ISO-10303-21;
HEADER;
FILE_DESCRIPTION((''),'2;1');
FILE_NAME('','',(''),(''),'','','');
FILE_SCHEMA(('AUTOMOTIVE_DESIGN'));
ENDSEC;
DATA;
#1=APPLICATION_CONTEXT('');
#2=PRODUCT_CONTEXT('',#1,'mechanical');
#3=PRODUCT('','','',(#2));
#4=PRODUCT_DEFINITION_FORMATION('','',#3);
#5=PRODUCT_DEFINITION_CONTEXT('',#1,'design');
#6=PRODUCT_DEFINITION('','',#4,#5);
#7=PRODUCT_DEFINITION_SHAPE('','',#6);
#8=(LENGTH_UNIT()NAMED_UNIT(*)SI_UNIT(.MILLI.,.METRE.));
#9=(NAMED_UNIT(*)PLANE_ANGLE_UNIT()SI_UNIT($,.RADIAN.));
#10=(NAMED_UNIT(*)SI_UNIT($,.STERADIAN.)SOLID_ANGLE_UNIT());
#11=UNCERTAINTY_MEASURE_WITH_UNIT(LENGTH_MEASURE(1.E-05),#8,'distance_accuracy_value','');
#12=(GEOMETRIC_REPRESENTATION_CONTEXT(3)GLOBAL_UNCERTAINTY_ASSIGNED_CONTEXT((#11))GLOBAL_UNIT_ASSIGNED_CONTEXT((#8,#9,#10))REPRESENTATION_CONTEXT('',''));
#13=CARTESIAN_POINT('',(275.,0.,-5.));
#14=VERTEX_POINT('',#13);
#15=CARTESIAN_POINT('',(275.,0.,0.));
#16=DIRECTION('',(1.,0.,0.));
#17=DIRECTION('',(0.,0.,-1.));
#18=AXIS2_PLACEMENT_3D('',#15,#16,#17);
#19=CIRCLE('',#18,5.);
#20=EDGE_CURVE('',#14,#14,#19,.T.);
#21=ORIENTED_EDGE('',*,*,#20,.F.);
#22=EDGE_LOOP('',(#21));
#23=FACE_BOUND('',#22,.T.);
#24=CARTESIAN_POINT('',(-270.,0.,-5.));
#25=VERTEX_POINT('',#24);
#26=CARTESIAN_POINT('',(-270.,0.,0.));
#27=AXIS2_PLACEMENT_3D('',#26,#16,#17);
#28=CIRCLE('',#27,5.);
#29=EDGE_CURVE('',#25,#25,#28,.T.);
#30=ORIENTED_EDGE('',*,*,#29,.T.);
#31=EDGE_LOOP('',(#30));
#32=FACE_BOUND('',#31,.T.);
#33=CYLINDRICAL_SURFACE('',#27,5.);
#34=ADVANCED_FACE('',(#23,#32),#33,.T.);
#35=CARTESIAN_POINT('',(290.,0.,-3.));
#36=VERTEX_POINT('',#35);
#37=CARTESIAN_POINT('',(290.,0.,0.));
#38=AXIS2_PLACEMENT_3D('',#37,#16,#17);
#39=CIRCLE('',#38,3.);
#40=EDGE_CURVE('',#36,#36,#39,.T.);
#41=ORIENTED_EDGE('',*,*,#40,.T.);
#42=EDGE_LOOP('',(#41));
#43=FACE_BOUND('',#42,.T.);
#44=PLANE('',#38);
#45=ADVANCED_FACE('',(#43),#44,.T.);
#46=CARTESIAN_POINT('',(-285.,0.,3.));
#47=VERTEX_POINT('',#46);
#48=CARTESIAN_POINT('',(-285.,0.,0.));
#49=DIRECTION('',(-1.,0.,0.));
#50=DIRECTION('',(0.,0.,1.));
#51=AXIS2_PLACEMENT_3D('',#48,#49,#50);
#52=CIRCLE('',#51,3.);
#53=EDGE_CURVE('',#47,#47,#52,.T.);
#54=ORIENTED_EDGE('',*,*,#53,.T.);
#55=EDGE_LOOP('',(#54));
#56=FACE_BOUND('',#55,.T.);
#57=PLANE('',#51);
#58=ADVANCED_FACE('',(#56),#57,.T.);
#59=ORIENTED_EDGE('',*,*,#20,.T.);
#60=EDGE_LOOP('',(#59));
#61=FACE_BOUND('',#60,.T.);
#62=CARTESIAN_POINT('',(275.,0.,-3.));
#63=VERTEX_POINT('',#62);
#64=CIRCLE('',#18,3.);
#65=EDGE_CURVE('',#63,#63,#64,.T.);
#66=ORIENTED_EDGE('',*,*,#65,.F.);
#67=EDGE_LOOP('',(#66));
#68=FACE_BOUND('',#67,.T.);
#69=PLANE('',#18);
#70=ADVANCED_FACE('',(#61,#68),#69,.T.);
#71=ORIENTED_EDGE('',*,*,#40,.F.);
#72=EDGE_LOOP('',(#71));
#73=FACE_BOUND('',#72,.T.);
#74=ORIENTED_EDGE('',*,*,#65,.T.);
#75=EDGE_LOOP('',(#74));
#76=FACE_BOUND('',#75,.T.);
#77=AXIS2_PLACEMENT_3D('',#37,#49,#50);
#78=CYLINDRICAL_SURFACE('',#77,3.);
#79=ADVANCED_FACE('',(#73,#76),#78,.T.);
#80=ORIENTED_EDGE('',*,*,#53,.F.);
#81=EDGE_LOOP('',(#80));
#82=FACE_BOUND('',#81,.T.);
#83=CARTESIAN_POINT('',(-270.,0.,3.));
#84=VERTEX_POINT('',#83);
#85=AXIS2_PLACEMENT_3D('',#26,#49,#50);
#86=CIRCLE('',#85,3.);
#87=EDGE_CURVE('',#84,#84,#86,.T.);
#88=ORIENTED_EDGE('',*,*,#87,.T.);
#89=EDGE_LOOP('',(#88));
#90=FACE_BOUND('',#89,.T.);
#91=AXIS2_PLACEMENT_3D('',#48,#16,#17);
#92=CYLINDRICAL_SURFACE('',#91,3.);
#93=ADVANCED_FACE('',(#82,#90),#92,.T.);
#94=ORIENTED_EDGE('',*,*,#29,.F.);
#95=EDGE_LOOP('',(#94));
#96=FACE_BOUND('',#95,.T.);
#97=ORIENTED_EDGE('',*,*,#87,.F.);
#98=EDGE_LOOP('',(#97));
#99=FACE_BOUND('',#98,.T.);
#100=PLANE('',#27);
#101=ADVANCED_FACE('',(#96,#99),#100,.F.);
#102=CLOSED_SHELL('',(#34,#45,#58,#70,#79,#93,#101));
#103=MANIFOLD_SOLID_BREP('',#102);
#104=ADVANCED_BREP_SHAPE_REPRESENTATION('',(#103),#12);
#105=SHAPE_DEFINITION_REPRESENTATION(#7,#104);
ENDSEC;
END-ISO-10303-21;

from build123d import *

# Parameters (mm, degrees)
EXTRUDE_1_DEPTH      = 275
EXTRUDE_1_DEPTH_BACK = 270
SKETCH_1_R           = 5
SKETCH_2_R           = 3
EXTRUDE_2_DEPTH      = 15
EXTRUDE_START        = 15
SKETCH_7_R           = 3
EXTRUDE_3_DEPTH      = 15


with BuildPart() as part:
    # Эскиз1 → Бобышка-Вытянуть1 (new, two sides: drawn at the far end of the back side and taken through both)
    with BuildSketch(Plane(origin=(0, 0, 0), x_dir=(0, 0, -1), z_dir=(1, 0, 0)).offset(-EXTRUDE_1_DEPTH_BACK)):
        Circle(SKETCH_1_R)
    extrude(amount=EXTRUDE_1_DEPTH + EXTRUDE_1_DEPTH_BACK)

    # Эскиз2 → Бобышка-Вытянуть2 (add)
    with BuildSketch(Plane.ZY.offset(270)):
        Circle(SKETCH_2_R)
    extrude(amount=EXTRUDE_2_DEPTH)

    # Эскиз7 → Бобышка-Вытянуть3 (add)
    with BuildSketch(Plane(origin=(275, 0, 0), x_dir=(0, 0, -1), z_dir=(1, 0, 0)).offset(EXTRUDE_START)):
        with Locations(Location((0, 0, 0), (0, 0, 180))):
            Circle(SKETCH_7_R)
    extrude(amount=-EXTRUDE_3_DEPTH)


solid = part.part
